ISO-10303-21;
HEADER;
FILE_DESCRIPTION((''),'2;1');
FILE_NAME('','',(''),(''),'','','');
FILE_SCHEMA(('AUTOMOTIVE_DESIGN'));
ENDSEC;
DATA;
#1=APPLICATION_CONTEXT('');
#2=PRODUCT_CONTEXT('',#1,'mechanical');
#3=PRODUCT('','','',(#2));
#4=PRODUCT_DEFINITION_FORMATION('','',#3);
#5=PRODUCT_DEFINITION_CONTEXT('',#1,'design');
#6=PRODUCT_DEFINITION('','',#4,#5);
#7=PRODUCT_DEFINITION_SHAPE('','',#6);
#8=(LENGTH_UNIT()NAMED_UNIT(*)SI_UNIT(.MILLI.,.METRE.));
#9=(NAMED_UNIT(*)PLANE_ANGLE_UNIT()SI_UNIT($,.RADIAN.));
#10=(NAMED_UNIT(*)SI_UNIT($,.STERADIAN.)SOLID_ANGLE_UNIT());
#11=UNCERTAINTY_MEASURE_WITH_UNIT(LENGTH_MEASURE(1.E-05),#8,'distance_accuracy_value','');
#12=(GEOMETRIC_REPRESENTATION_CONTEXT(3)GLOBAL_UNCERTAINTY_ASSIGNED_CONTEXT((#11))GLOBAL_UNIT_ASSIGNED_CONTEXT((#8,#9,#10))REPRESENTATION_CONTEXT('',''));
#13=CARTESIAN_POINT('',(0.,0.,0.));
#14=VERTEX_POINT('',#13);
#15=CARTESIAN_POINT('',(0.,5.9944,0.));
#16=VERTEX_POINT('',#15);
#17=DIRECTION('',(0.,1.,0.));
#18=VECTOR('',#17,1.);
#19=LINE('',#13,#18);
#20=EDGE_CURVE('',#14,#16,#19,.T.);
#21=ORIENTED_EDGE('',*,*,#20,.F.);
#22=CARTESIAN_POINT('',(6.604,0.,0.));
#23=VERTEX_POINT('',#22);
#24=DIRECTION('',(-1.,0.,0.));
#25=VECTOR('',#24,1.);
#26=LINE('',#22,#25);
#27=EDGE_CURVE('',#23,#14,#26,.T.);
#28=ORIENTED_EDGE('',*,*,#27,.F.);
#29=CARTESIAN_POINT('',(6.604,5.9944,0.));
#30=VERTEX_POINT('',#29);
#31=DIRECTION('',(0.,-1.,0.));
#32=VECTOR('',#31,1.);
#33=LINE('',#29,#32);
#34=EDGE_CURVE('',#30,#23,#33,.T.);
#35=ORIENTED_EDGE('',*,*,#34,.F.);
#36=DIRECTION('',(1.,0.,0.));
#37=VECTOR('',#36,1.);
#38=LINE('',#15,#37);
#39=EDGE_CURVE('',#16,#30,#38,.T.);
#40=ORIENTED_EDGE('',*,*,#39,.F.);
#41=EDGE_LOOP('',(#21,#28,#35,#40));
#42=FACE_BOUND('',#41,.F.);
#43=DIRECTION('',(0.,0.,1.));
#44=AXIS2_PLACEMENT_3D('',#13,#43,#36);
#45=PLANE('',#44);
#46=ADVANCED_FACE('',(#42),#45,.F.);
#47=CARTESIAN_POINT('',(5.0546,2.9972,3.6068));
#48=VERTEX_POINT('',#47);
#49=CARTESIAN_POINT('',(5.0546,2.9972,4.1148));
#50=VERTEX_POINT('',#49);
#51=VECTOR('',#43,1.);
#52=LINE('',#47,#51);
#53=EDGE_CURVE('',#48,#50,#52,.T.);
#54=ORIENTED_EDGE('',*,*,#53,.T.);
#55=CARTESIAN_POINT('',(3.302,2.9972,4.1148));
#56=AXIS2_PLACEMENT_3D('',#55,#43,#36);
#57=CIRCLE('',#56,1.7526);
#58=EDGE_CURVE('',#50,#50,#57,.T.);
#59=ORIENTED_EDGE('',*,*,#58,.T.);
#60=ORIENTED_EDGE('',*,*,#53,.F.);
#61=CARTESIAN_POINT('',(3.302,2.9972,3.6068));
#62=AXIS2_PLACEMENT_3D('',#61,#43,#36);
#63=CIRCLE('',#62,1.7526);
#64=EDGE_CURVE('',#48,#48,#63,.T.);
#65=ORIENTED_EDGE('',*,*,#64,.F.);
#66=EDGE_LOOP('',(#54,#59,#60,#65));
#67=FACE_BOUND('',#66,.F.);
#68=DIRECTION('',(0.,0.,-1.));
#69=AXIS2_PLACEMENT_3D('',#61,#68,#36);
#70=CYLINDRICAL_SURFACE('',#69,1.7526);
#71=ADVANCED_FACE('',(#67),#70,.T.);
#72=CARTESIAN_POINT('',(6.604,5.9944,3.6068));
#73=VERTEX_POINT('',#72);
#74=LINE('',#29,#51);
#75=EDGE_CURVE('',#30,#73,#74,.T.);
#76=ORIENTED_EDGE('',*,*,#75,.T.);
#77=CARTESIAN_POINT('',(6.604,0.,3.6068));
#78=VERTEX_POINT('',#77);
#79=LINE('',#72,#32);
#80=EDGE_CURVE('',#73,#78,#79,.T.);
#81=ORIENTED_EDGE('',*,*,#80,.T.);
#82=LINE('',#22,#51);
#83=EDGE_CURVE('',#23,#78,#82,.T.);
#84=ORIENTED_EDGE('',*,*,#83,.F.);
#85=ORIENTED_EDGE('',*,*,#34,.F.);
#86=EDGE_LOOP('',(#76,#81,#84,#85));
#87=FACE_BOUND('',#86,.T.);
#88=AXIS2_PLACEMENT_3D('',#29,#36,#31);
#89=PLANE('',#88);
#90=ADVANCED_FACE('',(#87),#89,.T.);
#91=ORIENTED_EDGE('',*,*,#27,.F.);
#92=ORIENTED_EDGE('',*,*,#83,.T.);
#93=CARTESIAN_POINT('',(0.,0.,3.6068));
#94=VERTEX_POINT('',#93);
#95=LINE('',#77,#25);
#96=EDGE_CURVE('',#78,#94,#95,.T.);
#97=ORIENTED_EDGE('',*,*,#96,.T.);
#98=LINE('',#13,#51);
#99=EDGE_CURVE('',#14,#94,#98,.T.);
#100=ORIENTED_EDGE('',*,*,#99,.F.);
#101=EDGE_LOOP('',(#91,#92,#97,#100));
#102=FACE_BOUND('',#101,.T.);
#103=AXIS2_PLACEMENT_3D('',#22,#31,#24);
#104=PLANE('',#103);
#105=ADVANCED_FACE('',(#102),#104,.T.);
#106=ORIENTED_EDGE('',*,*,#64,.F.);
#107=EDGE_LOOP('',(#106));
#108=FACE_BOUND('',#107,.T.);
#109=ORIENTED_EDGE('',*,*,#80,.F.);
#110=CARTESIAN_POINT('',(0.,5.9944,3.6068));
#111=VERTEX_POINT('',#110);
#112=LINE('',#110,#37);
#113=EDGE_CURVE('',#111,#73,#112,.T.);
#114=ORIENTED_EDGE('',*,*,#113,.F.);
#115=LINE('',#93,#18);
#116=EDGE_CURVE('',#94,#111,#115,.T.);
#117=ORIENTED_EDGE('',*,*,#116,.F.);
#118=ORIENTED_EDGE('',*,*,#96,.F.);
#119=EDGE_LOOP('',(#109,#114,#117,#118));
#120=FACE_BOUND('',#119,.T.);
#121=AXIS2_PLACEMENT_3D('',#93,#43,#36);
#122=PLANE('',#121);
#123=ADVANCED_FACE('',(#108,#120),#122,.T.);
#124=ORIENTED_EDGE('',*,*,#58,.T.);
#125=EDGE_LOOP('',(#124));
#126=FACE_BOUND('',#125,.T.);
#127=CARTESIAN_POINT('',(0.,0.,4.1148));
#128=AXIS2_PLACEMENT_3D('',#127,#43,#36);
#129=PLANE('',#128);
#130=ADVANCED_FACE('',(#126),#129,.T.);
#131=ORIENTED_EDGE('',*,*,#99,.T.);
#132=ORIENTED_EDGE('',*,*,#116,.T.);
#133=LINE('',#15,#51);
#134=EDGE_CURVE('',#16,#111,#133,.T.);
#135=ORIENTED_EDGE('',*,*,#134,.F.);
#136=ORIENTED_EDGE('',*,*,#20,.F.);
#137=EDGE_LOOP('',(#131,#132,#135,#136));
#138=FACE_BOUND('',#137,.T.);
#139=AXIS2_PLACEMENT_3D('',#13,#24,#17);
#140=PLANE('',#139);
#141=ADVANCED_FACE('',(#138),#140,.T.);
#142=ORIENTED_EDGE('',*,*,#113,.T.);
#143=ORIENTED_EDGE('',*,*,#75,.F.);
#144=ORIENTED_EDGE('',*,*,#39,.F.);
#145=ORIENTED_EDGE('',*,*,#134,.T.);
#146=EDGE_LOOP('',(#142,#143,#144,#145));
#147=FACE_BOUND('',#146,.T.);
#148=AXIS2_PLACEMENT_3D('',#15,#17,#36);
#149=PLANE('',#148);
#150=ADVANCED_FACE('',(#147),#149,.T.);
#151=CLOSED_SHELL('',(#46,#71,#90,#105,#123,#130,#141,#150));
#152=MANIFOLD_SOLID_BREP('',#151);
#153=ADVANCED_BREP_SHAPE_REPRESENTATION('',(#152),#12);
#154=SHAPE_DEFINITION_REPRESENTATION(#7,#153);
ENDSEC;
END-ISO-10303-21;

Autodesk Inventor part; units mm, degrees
ref_plane "YZ Plane" through (0, 0, 0) normal (1, 0, 0) x (0, 1, 0)
ref_plane "XZ Plane" through (0, 0, 0) normal (0, 1, 0) x (-1, 0, 0)
ref_plane "XY Plane" through (0, 0, 0) normal (0, 0, 1) x (1, 0, 0)
sketch "Sketch1" plane through (0, 0, 0) normal (0, 0, 1) x (1, 0, 0)
  line L0 (0, 5.9944) -> (6.604, 5.9944)
  line L1 (6.604, 5.9944) -> (6.604, 0)
  line L2 (6.604, 0) -> (0, 0)
  line L3 (0, 0) -> (0, 5.9944)
  dimension "d0" = 5.9944
  dimension "d1" = 6.604
extrude "Extrusion1" add sketch "Sketch1" along normal blind 3.6068
sketch "Sketch2" plane through (0, 0, 3.6068) normal (0, 0, 1) x (1, 0, 0)
  circle A0 centre (3.302, 2.9972) radius 1.7526
  line L0 (6.604, 5.9944) -> (0, 5.9944) projected
  line L1 (0, 5.9944) -> (0, 0) projected
  line L2 (0, 0) -> (6.604, 0) projected
  line L3 (6.604, 0) -> (6.604, 5.9944) projected
  point P0 (3.302, 5.9944)
  point P1 (6.604, 2.9972)
  dimension "d4" = 3.5052
extrude "Extrusion2" add sketch "Sketch2" along normal blind 0.508 contours A0
properties part number "Button"
